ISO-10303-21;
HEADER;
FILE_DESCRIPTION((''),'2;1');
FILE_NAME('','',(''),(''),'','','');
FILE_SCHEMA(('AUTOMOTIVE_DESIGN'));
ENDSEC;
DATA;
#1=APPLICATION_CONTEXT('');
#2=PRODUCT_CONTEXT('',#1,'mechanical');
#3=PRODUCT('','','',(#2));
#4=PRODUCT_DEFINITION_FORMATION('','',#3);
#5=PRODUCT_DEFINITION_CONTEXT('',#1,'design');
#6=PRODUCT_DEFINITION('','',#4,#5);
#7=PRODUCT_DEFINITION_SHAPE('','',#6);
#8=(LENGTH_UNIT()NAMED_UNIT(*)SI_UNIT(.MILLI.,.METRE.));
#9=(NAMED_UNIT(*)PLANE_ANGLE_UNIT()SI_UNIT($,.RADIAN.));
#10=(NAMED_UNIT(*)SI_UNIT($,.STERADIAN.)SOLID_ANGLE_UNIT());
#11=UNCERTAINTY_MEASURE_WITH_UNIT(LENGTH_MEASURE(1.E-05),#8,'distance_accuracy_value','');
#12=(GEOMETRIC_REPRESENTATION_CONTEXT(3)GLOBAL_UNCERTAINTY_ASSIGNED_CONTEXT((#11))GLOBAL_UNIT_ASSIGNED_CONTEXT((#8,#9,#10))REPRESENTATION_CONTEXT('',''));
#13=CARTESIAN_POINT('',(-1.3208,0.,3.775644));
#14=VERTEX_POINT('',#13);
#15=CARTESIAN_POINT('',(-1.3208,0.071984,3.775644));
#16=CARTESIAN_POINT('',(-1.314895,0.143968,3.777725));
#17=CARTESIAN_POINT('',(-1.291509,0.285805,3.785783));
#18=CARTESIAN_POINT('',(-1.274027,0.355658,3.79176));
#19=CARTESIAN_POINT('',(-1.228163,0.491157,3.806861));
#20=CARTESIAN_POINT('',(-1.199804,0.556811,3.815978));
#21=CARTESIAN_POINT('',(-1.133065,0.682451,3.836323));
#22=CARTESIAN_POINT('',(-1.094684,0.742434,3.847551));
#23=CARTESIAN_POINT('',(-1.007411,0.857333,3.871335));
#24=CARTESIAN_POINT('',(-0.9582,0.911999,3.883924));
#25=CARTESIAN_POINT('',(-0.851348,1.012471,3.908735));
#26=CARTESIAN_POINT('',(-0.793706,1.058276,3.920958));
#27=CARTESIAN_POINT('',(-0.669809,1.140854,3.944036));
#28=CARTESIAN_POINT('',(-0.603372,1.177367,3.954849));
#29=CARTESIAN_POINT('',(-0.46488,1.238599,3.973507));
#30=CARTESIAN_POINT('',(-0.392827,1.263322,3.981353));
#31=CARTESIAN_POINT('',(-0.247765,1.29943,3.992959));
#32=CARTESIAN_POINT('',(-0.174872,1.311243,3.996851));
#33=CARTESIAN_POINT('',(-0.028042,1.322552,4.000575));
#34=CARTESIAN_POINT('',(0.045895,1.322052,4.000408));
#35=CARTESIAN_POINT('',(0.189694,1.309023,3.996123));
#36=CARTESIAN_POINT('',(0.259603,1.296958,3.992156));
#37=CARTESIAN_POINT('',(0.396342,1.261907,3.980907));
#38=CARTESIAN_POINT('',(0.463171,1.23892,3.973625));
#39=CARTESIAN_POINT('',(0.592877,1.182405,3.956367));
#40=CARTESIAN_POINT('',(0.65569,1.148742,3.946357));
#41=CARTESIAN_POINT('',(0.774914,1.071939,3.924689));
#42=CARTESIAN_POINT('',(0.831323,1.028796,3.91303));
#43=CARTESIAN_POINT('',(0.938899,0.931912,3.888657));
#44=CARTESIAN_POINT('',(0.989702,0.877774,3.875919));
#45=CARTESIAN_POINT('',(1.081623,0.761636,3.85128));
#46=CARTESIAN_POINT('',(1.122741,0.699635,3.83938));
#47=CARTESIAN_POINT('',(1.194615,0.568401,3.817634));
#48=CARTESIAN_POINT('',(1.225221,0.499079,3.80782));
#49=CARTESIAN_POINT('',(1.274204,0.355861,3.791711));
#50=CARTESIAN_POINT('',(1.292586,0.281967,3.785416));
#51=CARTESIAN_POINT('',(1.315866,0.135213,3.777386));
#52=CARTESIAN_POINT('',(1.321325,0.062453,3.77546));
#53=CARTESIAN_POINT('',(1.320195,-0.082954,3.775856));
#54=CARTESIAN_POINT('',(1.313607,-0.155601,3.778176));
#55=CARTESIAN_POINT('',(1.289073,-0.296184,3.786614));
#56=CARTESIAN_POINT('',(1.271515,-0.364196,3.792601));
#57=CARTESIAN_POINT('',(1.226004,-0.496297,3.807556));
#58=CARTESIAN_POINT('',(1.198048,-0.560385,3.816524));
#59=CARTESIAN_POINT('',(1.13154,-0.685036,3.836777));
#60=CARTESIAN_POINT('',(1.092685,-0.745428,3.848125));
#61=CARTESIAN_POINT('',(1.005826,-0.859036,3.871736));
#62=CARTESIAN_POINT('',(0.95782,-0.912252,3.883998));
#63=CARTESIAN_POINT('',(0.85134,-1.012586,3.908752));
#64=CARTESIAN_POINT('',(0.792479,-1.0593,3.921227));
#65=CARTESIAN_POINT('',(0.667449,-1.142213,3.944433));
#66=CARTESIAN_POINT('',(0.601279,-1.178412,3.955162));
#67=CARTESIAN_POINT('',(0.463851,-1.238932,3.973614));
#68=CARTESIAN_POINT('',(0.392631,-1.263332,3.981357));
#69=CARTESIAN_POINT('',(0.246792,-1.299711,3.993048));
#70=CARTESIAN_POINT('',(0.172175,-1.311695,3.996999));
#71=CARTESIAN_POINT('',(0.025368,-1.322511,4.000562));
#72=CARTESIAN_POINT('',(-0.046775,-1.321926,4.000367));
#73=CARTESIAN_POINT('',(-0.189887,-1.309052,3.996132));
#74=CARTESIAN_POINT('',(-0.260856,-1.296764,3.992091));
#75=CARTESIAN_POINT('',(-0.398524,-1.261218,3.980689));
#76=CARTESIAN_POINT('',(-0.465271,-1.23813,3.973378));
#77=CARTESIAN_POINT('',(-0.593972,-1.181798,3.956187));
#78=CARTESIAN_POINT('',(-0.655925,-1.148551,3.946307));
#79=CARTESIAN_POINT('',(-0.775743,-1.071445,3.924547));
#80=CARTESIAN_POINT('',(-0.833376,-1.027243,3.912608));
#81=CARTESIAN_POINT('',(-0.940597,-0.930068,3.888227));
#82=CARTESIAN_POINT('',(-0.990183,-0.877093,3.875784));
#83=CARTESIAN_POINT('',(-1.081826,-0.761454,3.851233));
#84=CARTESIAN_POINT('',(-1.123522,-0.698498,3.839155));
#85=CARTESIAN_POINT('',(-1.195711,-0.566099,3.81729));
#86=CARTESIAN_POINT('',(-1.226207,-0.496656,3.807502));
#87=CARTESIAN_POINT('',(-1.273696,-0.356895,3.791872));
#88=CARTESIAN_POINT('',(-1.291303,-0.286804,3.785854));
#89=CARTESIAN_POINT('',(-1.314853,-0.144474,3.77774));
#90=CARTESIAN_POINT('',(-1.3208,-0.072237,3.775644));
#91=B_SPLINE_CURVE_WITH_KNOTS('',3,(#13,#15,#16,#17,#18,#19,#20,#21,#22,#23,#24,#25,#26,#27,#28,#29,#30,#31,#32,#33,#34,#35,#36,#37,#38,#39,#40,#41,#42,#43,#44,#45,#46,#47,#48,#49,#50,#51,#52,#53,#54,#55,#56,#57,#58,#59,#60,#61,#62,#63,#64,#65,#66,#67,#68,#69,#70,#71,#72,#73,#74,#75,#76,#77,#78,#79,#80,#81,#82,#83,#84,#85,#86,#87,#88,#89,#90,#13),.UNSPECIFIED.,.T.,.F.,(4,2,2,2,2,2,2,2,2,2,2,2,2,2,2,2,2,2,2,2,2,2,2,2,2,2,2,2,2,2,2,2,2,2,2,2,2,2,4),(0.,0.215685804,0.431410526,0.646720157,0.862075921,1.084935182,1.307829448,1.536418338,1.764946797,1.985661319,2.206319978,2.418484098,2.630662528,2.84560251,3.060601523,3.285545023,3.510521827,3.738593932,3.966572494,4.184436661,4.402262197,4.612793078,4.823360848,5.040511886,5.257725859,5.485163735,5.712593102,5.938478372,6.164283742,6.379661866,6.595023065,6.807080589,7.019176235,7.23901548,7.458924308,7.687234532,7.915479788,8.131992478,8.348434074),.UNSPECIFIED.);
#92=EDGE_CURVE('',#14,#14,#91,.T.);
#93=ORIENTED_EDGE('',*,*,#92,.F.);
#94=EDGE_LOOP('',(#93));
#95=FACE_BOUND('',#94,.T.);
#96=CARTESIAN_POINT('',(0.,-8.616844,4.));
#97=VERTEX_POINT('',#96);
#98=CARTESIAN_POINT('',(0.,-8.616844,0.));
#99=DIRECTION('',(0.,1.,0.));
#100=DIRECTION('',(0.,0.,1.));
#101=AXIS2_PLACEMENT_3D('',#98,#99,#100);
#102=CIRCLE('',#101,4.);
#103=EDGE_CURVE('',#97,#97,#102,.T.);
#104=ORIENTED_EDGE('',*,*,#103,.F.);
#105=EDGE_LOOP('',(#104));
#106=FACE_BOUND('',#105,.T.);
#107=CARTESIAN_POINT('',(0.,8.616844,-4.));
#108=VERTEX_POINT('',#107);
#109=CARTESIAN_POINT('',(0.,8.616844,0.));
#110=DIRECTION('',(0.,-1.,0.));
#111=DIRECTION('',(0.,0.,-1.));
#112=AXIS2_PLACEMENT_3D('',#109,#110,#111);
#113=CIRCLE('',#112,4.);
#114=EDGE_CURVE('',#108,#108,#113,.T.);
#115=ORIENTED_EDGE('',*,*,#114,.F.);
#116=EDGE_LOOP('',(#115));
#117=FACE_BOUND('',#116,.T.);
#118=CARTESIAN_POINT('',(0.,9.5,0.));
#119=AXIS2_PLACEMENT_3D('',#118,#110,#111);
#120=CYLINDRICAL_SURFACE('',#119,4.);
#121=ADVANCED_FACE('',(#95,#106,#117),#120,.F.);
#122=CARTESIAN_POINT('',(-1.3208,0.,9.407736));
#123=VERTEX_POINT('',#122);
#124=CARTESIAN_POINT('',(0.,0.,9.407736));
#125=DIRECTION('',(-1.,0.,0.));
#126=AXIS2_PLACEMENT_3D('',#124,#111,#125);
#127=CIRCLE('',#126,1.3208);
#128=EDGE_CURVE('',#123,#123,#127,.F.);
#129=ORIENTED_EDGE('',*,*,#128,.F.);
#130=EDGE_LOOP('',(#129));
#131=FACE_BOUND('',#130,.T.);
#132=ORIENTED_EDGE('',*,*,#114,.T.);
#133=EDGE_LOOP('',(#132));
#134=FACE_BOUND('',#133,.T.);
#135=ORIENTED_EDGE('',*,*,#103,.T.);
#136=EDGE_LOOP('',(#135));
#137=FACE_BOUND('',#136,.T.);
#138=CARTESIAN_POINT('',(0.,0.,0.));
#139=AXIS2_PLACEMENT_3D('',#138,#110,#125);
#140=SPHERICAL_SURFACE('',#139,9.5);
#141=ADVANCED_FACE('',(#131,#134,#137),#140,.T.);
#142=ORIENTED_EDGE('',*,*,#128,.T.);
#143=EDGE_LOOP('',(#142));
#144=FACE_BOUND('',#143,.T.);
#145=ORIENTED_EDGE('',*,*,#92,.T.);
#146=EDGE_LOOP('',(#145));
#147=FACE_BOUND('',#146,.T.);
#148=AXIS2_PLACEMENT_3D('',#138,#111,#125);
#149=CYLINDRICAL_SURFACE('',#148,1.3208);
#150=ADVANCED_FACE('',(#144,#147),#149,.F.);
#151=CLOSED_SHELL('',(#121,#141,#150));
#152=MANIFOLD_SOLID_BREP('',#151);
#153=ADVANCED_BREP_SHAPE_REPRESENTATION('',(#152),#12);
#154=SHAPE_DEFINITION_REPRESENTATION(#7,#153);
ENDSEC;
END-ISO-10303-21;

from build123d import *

# Parameters (mm, degrees)
CORTAR_EXTRUIR1_DEPTH      = 17.454482672
CORTAR_EXTRUIR1_DEPTH_BACK = 10
CROQUIS2_R                 = 4
CROQUIS4_W                 = 1.3208
CROQUIS4_H                 = 9.5


with BuildPart() as part:
    # Croquis1 → Revolución1 (revolve)
    with BuildSketch(Plane.XY):
        with BuildLine():
            Line((0, -9.5), (0, 9.5))
            ThreePointArc((0, 9.5), (9.5, 0), (0, -9.5))
        make_face()
    revolve(axis=Axis((0, -9.5, 0), (0, 1, 0)))

    # Croquis2 → Cortar-Extruir1 (cut, two sides: drawn at the far end of the back side and taken through both)
    with BuildSketch(Plane(origin=(0, 0, 0), x_dir=(1, 0, 0), z_dir=(0, 1, 0)).offset(-CORTAR_EXTRUIR1_DEPTH_BACK)):
        with Locations(Location((0, 0, 0), (0, 0, 180))):
            Circle(CROQUIS2_R)
    extrude(amount=CORTAR_EXTRUIR1_DEPTH + CORTAR_EXTRUIR1_DEPTH_BACK, mode=Mode.SUBTRACT)

    # Croquis4 → Diámetro de taladro #37 (0.104)1 (revolve, cut)
    with BuildSketch(Plane.YZ):
        with Locations((0.6604, 4.75)):
            Rectangle(CROQUIS4_W, CROQUIS4_H)
    revolve(axis=Axis((0, 0, -6.35), (0, 0, 1)), mode=Mode.SUBTRACT)


solid = part.part
